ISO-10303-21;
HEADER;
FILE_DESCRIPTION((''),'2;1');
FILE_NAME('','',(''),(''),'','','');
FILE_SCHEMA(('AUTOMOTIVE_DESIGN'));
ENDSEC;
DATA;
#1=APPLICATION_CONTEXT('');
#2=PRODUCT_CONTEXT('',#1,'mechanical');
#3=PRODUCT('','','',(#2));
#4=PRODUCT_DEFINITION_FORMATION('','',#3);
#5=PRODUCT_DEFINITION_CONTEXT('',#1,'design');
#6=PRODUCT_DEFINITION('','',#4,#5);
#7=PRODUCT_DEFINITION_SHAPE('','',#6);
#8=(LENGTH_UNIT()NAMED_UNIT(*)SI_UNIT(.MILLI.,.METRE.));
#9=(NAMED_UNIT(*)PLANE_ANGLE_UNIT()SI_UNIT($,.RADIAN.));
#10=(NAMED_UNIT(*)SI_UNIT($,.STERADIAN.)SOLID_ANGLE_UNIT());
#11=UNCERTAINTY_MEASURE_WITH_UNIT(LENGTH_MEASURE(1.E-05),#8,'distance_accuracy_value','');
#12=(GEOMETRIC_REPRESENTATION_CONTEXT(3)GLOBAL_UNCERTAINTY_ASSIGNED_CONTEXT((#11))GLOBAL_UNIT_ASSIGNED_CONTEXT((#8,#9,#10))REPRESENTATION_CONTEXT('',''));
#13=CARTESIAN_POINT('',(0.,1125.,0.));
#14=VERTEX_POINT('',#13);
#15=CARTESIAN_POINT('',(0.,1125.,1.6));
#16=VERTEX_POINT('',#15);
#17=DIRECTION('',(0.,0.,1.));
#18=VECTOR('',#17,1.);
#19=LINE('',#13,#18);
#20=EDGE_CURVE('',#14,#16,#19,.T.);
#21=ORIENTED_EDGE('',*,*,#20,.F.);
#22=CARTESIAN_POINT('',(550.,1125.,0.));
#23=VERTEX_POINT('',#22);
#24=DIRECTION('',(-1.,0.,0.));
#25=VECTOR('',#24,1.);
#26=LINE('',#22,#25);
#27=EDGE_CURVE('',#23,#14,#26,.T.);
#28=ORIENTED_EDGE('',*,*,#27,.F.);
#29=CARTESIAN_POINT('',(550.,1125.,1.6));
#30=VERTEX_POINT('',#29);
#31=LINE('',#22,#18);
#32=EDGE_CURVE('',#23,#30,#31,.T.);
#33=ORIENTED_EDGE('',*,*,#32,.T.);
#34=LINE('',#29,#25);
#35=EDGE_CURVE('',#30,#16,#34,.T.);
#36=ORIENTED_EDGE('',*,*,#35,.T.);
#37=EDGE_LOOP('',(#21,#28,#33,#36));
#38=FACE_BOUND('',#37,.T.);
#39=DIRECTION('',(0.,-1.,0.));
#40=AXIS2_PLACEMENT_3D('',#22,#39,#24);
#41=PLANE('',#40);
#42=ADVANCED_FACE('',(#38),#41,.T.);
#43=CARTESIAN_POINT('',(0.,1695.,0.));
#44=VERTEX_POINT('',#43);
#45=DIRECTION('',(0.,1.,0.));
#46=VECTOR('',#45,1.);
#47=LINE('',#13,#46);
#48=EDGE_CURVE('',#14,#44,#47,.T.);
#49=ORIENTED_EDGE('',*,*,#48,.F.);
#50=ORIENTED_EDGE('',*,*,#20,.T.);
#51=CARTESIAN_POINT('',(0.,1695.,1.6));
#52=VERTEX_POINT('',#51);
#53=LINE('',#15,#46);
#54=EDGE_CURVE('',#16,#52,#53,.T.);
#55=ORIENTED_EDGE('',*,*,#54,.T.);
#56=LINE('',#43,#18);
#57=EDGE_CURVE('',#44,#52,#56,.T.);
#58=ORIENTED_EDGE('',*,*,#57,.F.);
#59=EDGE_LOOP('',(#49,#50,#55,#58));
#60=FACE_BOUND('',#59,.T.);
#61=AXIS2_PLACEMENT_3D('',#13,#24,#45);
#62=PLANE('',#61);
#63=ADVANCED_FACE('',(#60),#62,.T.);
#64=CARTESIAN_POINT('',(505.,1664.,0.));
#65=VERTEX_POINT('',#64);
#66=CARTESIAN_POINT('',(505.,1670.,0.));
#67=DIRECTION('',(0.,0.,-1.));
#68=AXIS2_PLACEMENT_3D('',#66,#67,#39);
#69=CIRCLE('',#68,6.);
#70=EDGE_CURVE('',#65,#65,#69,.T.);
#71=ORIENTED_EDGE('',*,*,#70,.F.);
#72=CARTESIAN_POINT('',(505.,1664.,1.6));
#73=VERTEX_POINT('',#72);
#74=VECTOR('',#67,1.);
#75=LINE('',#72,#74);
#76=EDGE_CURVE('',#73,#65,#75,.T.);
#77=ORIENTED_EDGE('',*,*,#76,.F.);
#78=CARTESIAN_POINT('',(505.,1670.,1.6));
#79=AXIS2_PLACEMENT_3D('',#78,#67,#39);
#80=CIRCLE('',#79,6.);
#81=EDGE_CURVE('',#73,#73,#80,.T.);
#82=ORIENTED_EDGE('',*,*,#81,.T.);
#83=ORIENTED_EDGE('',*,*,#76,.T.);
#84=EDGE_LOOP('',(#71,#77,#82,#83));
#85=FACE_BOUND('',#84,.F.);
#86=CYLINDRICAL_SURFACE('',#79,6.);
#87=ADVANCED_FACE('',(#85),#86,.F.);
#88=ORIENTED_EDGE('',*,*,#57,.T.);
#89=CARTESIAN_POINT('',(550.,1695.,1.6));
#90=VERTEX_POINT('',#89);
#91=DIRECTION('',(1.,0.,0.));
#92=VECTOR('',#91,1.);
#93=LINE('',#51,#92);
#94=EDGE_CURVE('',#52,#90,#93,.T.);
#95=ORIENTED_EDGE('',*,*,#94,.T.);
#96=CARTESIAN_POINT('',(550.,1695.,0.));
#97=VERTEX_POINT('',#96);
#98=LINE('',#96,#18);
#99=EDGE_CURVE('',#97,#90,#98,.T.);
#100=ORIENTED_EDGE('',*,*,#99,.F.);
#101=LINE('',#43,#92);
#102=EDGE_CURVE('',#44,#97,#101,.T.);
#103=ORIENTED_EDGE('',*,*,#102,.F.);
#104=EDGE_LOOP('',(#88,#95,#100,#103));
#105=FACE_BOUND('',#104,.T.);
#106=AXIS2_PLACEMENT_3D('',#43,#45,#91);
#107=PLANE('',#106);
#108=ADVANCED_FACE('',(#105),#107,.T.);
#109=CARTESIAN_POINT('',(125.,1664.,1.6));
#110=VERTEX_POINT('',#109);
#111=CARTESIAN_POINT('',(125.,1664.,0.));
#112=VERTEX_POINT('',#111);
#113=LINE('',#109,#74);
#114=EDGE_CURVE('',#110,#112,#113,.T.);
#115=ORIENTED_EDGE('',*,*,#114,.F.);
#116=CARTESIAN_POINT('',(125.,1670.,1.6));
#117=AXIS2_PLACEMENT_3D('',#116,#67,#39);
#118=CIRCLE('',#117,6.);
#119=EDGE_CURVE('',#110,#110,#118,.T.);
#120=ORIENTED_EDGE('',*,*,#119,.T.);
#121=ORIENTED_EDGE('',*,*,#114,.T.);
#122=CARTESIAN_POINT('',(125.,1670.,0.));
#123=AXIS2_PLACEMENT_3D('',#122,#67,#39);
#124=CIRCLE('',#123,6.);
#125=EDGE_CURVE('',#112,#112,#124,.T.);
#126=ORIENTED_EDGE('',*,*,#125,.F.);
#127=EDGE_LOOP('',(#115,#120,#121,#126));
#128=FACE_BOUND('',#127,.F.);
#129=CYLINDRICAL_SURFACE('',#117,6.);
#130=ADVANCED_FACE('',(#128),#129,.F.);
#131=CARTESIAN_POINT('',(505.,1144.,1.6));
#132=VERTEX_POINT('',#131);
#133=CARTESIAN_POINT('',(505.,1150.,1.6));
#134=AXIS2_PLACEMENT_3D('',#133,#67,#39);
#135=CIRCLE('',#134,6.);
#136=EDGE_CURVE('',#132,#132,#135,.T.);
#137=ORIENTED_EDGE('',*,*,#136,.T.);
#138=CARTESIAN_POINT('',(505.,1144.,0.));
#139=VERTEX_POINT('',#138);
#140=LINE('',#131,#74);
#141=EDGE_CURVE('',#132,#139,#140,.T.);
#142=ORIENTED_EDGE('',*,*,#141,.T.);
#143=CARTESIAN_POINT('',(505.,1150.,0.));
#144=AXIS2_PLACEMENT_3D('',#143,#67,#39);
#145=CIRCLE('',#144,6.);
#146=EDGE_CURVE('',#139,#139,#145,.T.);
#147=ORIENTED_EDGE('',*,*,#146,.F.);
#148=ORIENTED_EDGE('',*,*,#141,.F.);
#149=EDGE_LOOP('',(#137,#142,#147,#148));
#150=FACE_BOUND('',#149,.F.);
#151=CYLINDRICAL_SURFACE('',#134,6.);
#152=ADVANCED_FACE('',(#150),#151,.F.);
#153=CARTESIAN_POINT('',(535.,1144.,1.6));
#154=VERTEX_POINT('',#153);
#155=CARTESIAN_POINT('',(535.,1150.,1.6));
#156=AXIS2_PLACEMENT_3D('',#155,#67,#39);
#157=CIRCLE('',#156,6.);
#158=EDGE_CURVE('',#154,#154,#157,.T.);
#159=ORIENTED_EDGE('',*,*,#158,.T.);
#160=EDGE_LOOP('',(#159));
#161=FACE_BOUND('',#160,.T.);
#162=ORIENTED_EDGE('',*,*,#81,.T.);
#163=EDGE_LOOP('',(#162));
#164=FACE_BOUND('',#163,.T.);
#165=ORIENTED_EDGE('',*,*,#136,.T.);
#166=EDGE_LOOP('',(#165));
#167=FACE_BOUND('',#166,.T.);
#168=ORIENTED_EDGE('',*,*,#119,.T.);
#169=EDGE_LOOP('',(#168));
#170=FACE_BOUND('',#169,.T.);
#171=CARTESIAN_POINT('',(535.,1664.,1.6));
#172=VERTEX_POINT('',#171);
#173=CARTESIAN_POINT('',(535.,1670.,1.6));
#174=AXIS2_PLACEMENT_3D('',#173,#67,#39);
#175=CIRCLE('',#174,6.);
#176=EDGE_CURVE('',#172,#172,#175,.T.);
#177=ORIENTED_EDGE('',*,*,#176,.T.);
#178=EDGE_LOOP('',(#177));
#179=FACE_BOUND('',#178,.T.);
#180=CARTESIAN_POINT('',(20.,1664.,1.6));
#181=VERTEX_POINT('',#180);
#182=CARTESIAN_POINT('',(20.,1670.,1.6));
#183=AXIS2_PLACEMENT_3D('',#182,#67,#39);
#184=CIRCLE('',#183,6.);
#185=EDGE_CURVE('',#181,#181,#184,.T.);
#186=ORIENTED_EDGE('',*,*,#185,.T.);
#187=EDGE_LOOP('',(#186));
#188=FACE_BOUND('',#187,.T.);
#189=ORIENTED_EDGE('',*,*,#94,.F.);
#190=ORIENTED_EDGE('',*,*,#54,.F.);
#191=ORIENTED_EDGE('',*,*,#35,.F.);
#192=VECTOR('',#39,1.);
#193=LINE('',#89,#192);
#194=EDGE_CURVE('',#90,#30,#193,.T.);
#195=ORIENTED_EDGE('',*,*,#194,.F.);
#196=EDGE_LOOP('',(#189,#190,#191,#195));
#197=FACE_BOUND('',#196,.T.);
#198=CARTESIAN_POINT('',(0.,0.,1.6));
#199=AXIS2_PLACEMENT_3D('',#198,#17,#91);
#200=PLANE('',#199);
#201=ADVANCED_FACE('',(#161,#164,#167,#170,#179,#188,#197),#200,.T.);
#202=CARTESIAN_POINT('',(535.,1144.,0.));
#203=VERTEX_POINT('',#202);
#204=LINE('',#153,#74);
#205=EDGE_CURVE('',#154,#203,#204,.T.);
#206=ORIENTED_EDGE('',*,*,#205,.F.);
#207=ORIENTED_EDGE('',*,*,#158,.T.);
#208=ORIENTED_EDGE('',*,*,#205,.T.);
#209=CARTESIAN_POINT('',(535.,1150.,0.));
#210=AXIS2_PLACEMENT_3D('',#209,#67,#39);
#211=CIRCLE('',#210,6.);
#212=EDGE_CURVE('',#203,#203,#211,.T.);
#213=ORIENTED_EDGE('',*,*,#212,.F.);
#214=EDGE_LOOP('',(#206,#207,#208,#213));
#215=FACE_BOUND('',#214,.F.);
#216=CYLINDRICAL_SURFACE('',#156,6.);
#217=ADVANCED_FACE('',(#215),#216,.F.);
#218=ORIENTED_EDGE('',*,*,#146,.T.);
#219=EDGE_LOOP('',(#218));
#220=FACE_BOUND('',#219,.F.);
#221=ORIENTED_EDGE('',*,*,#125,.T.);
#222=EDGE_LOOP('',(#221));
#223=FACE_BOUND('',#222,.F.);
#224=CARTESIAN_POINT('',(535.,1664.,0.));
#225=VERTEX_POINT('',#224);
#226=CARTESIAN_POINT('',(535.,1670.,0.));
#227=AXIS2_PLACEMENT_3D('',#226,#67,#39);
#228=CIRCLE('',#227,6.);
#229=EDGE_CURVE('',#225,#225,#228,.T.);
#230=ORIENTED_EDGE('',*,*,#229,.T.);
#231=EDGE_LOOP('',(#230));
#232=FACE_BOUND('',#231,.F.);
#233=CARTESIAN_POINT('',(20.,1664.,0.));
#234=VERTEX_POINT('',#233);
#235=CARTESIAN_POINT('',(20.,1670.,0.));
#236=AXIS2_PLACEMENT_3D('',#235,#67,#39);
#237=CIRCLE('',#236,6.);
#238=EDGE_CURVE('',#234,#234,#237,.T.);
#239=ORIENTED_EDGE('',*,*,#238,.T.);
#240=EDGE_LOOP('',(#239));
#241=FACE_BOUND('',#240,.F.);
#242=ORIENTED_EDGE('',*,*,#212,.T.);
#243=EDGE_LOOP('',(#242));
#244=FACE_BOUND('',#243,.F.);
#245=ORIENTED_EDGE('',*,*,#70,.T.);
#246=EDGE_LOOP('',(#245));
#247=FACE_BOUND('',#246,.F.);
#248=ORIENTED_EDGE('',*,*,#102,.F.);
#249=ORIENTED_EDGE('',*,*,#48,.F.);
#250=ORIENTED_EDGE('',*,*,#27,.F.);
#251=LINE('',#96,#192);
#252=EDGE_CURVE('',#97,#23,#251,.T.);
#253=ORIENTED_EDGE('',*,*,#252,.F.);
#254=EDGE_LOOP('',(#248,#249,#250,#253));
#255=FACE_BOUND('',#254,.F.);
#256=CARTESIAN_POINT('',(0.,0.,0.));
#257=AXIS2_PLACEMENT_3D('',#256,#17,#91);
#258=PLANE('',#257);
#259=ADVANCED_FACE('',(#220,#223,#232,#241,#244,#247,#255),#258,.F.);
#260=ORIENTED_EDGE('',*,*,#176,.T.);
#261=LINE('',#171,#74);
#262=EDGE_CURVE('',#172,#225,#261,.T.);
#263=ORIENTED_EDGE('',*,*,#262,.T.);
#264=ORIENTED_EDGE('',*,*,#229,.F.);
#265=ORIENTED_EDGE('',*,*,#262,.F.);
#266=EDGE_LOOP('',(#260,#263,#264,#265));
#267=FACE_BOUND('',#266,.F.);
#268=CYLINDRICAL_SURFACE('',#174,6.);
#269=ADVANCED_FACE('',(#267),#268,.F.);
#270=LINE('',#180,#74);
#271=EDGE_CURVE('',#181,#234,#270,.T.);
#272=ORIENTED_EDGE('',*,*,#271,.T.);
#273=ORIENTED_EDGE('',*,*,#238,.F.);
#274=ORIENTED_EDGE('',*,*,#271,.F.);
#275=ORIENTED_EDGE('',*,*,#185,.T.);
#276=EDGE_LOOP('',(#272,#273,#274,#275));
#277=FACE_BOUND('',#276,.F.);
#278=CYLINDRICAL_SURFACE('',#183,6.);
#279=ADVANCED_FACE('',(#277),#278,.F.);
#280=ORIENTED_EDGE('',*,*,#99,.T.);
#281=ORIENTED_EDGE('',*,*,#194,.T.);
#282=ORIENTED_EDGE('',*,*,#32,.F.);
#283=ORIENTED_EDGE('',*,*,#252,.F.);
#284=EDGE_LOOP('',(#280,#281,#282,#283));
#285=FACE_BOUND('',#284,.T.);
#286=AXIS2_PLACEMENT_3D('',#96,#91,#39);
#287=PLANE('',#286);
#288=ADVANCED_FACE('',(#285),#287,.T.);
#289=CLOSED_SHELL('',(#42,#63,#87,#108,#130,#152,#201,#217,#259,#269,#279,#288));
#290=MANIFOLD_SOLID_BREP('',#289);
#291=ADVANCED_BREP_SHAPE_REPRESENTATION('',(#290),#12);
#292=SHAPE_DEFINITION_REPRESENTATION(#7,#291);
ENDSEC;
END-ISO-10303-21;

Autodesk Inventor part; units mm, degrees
ref_plane "YZ Plane" through (0, 0, 0) normal (1, 0, 0) x (0, 1, 0)
ref_plane "XZ Plane" through (0, 0, 0) normal (0, 1, 0) x (-1, 0, 0)
ref_plane "XY Plane" through (0, 0, 0) normal (0, 0, 1) x (1, 0, 0)
sketch "Sketch1" plane through (0, 0, 0) normal (0, 0, 1) x (1, 0, 0)
  line L0 (0, 1125) -> (0, 1695)
  line L1 (0, 1695) -> (550, 1695)
  line L2 (550, 1695) -> (550, 1125)
  line L3 (550, 1125) -> (0, 1125)
  point P0 (0, 0)
  dimension "d2" = 550
  dimension "d3" = 570
extrude "Plate1" add sketch "Sketch1" along normal blind 1.6
sketch "Sketch7" plane through (0, 0, 1.6) normal (0, 0, 1) x (1, 0, 0)
  line L0 (0, 1695) -> (550, 1695) projected
  line L1 (490, 1695) -> (490, 1125)
  line L2 (550, 1125) -> (0, 1125) projected
  line L3 (550, 1695) -> (550, 1125) projected
  circle A0 centre (535, 1670) radius 6
  circle A1 centre (505, 1670) radius 6
  circle A2 centre (535, 1150) radius 6
  circle A3 centre (505, 1150) radius 6
  point P0 (0, 0)
  point P1 (1.1647, 1695)
  point P2 (150, 1125)
  point P3 (1.1647, 1125)
  dimension "d57" = 60
  dimension "d58" = 12
  dimension "d59" = 12
  dimension "d60" = 15
  dimension "d61" = 15
  dimension "d62" = 25
  dimension "d63" = 25
  dimension "d64" = 12
  dimension "d65" = 12
  dimension "d66" = 25
  dimension "d67" = 25
  dimension "d75" = 15
  dimension "d76" = 15
hole "Hole3" at (535, 1670, 1.6) at (505, 1670, 1.6) at (535, 1150, 1.6) at (505, 1150, 1.6) direction (0, 0, -1) diameter 12 end through all
sketch "Sketch8" plane through (0, 0, 1.6) normal (0, 0, 1) x (1, 0, 0)
  line L0 (0, 1695) -> (0, 1125) projected
  line L1 (0, 1695) -> (145, 1695)
  line L2 (550, 1695) -> (0, 1695) projected
  line L3 (145, 1695) -> (145, 1125)
  line L4 (0, 1125) -> (550, 1125) projected
  circle A0 centre (125, 1670) radius 6
  circle A1 centre (20, 1670) radius 6
  point P0 (0, 0)
  dimension "d79" = 145
  dimension "d80" = 12
  dimension "d81" = 25
  dimension "d82" = 20
  dimension "d83" = 12
  dimension "d84" = 20
hole "Hole4" at (125, 1670, 1.6) at (20, 1670, 1.6) direction (0, 0, -1) diameter 12 end through all
equation "\"d73\" = Thickness"
equation "\"d90\" = Thickness"
equation "\"BendRadius\" = Thickness"
equation "\"BendReliefWidth\" = Thickness"
equation "\"BendReliefDepth\" = 0.5 * Thickness"
equation "\"CornerReliefSize\" = 4 * Thickness"
equation "\"MinimumRemnant\" = 2 * Thickness"
equation "\"TransitionRadius\" = BendRadius"
equation "\"JacobiRadiusSize\" = BendRadius"
equation "\"GapSize\" = Thickness"
equation "\"d4\" = BendRadius"
equation "\"Thickness\" = 1.6"
properties part number "MC Part2" material "Steel, Mild"
